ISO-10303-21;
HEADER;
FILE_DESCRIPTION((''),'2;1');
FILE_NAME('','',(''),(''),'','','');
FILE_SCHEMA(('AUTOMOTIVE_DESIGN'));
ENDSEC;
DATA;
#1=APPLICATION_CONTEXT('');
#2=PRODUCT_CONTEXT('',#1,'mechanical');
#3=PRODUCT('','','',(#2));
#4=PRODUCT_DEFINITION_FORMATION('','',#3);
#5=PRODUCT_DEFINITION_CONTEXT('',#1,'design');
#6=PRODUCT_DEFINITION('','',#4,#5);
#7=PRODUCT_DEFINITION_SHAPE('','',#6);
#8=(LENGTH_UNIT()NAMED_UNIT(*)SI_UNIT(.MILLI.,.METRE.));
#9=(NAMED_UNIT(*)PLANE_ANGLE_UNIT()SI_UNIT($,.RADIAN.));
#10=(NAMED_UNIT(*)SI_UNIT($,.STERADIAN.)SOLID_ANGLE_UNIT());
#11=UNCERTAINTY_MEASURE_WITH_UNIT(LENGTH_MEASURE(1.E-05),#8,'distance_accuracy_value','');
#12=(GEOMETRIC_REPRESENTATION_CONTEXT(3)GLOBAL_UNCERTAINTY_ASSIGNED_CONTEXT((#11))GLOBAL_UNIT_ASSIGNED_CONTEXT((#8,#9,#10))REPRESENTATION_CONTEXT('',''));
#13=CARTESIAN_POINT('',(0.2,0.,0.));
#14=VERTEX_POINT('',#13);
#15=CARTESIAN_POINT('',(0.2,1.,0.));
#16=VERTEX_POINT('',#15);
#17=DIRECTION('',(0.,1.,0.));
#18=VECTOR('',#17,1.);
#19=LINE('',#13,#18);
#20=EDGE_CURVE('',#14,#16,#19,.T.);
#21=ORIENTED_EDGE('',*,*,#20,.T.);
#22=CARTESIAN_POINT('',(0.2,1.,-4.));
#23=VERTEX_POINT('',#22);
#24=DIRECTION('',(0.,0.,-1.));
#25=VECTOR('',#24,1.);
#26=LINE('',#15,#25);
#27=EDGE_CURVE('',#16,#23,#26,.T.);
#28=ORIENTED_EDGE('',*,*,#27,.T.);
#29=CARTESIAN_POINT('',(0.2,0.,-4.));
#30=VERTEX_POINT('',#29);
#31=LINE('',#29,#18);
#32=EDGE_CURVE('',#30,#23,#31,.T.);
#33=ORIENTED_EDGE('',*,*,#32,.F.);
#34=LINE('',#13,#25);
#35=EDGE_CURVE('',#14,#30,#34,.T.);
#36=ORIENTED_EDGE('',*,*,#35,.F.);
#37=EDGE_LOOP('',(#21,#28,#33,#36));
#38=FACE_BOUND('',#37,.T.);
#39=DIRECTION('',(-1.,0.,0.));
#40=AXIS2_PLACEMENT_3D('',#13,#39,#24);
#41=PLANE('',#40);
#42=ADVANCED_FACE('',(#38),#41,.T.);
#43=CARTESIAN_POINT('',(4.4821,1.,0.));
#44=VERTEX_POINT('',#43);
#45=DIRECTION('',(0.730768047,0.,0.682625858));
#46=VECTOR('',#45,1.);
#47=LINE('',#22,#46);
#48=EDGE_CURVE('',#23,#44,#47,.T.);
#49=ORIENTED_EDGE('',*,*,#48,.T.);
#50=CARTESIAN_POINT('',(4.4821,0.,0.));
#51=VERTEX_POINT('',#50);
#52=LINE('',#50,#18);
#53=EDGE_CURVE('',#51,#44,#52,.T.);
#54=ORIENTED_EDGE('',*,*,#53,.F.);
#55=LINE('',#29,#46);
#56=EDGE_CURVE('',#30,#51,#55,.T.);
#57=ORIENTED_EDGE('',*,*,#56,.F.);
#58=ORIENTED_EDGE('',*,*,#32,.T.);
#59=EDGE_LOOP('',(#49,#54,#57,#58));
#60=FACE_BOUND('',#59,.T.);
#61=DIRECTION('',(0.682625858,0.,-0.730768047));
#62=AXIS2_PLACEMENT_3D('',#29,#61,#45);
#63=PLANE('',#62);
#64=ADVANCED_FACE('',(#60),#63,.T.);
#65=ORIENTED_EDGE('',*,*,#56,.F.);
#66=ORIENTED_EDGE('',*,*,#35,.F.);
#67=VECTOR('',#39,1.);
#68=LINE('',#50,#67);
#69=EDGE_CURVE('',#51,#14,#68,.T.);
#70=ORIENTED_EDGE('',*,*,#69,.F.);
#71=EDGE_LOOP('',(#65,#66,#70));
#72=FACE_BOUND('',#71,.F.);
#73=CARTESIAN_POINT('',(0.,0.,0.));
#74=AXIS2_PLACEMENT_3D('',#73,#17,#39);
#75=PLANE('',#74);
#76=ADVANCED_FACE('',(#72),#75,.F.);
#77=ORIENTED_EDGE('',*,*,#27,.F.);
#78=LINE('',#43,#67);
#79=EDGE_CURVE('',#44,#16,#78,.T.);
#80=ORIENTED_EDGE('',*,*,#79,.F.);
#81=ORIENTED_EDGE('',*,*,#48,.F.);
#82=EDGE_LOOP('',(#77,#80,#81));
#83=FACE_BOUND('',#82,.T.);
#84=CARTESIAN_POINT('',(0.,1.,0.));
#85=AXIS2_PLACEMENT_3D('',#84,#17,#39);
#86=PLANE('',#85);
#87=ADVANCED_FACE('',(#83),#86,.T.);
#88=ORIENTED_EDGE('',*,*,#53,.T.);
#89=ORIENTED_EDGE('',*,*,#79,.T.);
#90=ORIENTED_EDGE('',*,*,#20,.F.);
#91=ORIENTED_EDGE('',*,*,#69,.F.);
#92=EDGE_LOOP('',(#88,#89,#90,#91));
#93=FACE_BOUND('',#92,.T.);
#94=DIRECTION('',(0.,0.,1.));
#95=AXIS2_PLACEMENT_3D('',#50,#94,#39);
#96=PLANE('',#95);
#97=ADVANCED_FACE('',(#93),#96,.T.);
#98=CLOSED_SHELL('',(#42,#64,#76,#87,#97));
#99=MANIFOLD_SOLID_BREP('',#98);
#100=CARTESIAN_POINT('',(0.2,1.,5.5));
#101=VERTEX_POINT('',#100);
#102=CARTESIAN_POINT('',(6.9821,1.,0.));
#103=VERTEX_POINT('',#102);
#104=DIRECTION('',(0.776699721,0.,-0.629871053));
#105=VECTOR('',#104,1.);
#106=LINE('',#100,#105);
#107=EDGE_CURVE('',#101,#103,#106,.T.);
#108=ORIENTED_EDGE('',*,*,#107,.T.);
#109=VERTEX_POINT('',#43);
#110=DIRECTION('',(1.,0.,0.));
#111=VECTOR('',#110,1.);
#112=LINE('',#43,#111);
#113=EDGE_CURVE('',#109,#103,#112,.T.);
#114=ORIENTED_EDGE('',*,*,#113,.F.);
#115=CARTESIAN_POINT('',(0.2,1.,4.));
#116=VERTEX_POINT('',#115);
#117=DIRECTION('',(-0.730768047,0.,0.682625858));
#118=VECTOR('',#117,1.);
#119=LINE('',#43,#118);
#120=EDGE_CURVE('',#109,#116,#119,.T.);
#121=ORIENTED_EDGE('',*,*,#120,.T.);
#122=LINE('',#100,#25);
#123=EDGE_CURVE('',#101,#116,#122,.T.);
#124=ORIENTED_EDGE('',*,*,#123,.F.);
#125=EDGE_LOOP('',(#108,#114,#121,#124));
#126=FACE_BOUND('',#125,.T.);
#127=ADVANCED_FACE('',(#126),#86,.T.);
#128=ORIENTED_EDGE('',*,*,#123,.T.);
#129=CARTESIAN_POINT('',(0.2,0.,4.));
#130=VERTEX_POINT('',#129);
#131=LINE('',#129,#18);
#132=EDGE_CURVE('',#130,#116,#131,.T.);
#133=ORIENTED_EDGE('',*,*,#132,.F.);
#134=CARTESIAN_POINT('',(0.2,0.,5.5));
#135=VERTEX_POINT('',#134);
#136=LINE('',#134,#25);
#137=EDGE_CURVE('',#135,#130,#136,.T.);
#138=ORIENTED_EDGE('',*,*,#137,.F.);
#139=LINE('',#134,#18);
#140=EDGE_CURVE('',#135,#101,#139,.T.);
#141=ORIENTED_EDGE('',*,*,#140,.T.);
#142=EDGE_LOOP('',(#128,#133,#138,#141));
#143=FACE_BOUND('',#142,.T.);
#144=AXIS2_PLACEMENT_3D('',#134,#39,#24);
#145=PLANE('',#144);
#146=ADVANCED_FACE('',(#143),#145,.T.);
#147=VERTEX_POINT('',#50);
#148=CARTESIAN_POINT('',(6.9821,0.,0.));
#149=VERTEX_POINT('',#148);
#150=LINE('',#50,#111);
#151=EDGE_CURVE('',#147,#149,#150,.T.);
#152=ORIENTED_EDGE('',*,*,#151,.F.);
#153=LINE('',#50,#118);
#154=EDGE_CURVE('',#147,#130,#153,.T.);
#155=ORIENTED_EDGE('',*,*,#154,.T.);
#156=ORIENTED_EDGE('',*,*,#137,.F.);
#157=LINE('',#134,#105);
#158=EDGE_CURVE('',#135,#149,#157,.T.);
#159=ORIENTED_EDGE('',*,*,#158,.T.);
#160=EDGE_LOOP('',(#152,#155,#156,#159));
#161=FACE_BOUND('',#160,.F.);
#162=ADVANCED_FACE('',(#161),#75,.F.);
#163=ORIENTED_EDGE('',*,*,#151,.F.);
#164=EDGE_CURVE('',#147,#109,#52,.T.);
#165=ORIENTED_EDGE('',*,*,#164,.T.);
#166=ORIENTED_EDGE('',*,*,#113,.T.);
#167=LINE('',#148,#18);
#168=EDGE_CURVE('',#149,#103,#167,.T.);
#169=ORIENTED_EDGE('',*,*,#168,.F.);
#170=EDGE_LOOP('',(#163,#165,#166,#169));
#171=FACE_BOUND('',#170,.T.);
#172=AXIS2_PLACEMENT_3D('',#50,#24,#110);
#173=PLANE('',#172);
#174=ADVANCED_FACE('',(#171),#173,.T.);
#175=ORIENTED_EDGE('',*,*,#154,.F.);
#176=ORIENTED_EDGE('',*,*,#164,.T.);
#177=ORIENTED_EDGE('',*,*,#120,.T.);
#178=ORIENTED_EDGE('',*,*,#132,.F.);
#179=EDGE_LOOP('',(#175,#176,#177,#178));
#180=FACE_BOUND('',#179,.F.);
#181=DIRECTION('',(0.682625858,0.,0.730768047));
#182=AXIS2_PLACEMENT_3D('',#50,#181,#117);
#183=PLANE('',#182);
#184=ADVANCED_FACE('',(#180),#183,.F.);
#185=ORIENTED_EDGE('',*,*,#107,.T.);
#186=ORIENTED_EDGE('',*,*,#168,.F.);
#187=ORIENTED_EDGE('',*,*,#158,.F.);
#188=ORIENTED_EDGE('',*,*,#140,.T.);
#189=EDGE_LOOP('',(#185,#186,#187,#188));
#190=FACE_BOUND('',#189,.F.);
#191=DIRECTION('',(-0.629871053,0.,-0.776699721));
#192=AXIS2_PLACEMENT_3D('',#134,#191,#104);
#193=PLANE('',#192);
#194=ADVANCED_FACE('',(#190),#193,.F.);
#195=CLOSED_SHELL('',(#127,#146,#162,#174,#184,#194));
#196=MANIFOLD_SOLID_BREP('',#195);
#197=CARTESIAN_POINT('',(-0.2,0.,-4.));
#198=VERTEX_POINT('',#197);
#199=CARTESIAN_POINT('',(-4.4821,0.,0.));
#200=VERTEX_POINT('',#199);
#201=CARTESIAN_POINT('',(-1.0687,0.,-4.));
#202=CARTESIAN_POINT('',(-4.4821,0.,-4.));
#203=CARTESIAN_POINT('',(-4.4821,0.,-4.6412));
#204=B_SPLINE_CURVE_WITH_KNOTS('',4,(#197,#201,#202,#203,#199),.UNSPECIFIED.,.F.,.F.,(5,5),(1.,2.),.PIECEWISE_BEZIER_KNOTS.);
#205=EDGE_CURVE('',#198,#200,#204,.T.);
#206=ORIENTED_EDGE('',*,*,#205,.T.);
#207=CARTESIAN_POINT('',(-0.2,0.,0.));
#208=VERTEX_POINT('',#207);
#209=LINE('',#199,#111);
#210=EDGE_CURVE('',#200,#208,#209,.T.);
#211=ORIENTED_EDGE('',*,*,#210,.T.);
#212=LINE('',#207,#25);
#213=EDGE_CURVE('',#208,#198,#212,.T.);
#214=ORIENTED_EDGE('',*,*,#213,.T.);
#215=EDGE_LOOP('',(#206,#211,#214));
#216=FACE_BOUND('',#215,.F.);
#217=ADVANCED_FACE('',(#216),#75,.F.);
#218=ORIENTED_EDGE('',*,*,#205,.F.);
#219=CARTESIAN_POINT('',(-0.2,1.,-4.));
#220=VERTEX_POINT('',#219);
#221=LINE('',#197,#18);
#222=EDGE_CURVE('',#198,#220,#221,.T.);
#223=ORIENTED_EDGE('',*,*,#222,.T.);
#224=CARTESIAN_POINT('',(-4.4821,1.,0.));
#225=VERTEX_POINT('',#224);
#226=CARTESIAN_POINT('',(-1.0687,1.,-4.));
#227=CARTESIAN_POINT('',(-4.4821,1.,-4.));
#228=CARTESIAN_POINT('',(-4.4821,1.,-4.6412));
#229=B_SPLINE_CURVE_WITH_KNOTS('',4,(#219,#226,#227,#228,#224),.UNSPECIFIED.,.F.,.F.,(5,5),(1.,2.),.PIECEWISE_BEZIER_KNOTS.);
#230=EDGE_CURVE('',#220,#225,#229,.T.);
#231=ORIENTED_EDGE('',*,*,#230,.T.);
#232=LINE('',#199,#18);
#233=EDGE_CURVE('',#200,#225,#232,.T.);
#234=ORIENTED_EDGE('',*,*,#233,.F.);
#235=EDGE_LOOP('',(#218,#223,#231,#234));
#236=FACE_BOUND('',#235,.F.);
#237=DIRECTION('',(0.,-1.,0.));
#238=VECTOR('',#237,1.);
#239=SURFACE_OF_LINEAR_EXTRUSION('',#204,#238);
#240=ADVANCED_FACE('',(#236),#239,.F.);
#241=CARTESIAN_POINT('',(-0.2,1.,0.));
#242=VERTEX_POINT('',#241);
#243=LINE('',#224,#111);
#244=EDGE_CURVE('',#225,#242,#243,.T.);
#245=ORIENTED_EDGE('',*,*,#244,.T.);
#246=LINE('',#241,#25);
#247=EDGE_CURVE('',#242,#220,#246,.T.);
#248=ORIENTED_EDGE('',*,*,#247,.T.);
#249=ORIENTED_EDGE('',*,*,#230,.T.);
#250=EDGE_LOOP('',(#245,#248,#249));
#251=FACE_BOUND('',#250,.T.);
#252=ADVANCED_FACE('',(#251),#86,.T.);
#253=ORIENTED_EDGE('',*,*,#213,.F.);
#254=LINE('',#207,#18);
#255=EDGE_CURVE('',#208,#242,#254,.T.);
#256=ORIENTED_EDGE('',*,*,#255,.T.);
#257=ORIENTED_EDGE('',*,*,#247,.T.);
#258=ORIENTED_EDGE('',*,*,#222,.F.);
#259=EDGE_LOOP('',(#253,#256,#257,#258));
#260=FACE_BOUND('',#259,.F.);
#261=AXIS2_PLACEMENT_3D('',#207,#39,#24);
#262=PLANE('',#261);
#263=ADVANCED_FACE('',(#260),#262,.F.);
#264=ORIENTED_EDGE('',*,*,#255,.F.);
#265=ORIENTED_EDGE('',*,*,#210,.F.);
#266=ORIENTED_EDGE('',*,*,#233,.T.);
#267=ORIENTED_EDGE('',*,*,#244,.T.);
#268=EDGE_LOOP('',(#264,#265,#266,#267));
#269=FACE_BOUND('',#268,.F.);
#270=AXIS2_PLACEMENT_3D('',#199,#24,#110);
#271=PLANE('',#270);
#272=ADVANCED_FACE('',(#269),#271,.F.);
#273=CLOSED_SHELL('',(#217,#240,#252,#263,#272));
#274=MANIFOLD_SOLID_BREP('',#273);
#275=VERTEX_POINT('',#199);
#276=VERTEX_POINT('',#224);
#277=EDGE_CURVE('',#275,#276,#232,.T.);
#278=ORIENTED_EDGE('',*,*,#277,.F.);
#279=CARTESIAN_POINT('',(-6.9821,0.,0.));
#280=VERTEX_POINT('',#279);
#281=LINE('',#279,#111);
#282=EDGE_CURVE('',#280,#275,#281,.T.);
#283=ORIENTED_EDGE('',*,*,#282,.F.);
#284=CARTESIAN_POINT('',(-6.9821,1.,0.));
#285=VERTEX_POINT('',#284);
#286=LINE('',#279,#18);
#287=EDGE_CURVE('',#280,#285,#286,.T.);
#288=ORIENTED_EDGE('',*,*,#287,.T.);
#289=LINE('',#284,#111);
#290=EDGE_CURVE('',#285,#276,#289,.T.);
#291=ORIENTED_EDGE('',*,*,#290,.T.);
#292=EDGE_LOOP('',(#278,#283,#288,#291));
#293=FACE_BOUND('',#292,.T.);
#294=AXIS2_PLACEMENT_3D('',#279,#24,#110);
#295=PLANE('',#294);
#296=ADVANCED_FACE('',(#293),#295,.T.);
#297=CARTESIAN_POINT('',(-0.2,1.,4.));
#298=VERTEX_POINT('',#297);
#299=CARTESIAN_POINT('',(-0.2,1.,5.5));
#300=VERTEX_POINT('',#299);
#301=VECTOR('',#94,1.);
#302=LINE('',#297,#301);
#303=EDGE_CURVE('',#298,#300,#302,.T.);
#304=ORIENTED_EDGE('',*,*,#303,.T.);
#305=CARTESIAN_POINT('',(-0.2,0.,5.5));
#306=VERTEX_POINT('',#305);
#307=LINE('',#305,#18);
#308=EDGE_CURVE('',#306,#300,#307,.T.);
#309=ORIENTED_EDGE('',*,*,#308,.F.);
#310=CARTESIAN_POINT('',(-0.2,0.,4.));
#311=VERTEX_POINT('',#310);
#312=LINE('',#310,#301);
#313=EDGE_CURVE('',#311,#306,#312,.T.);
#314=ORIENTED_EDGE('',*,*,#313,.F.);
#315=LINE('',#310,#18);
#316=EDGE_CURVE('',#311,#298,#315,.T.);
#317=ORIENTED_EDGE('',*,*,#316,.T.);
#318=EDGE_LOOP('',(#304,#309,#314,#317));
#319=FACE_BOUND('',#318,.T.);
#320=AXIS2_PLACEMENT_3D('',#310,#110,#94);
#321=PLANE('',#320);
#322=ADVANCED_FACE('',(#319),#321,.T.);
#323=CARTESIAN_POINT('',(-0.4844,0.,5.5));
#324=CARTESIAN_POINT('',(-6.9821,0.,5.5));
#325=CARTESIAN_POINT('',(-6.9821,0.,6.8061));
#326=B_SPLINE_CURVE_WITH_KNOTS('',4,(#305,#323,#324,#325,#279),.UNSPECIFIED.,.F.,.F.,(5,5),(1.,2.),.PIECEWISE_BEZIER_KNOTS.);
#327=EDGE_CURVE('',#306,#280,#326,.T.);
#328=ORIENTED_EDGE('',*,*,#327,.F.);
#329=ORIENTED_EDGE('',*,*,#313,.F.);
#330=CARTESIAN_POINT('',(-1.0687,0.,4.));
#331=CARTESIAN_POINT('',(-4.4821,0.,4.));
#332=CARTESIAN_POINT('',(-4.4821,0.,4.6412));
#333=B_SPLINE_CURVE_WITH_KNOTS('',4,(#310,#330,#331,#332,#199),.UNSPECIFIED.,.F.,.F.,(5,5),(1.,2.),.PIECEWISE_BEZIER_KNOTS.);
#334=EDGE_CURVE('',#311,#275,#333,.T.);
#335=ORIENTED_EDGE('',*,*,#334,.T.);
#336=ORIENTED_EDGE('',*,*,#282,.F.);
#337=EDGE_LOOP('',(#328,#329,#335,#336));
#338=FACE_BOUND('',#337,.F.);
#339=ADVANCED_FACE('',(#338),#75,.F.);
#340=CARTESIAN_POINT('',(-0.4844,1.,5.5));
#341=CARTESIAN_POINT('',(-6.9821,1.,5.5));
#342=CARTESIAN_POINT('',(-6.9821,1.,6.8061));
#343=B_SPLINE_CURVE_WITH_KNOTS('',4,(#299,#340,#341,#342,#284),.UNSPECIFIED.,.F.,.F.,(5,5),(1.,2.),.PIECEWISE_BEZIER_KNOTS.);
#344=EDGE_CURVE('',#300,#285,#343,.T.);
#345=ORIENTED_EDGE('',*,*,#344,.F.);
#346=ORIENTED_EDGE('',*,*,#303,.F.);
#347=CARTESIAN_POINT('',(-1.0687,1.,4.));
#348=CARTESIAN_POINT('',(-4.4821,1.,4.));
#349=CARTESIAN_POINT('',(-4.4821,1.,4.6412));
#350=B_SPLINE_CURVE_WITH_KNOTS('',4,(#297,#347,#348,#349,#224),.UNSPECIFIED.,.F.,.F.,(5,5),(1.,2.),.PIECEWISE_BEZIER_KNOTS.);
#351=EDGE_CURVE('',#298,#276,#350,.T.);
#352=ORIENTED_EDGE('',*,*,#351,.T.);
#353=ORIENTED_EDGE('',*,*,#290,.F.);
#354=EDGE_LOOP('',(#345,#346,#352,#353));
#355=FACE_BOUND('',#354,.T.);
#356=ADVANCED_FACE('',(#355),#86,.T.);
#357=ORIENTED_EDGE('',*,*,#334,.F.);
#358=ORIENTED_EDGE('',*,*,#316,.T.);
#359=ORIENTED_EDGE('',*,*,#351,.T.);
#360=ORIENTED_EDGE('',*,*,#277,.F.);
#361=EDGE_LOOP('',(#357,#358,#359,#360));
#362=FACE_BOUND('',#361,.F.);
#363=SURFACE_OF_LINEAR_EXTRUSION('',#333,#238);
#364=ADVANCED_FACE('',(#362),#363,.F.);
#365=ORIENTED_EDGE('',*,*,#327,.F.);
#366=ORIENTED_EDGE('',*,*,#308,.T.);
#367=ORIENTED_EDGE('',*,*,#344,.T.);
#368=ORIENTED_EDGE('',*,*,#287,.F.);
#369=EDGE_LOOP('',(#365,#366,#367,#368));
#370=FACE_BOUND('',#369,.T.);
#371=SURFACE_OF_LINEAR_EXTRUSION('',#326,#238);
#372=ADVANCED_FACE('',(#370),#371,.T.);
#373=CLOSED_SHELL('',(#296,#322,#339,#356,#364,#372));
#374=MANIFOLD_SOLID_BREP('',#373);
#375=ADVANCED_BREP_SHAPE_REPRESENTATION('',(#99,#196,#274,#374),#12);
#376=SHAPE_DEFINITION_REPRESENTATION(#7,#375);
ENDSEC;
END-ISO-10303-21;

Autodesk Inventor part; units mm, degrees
ref_plane "YZ Plane" through (0, 0, 0) normal (1, 0, 0) x (0, 1, 0)
ref_plane "XZ Plane" through (0, 0, 0) normal (0, 1, 0) x (-1, 0, 0)
ref_plane "XY Plane" through (0, 0, 0) normal (0, 0, 1) x (1, 0, 0)
sketch "Sketch1" plane through (0, 0, 0) normal (0, 1, 0) x (-1, 0, 0)
  line L0 (6.9821, 0) -> (4.4821, 0)
  line L1 (0.2, 4) -> (0.2, 5.5)
  line L2 (-4.4821, 0) -> (-6.9821, 0)
  line L3 (-0.2, 5.5) -> (-0.2, 4)
  line L4 (-10.1992, 0) -> (12.3203, 0) construction
  line L5 (0, -41.6633) -> (0, 16.1649) construction
  line L6 (0.2, 5.5) -> (0.4844, 5.5) construction
  line L7 (0.4844, 5.5) -> (6.9821, 5.5) construction
  line L8 (6.9821, 5.5) -> (6.9821, 6.8061) construction
  line L9 (6.9821, 6.8061) -> (6.9821, 0) construction
  spline S0 degree 4 poles (0.2, 5.5) (0.4844, 5.5) (6.9821, 5.5) (6.9821, 6.8061) (6.9821, 0) knots 1 1 1 1 1 2 2 2 2 2
  line L10 (0.2, 4) -> (1.0687, 4) construction
  line L11 (1.0687, 4) -> (4.4821, 4) construction
  line L12 (4.4821, 4) -> (4.4821, 4.6412) construction
  line L13 (4.4821, 4.6412) -> (4.4821, 0) construction
  spline S1 degree 4 poles (0.2, 4) (1.0687, 4) (4.4821, 4) (4.4821, 4.6412) (4.4821, 0) knots 1 1 1 1 1 2 2 2 2 2
  line L14 (0.2, 4) -> (-0.2, 4) construction
  line L15 (-0.2, 5.5) -> (-6.9821, 0)
  line L16 (4.4821, 0) -> (0.2, 0)
  line L17 (-4.4821, 0) -> (-0.2, 0)
  line L18 (-0.2, 0) -> (-0.2, -4)
  line L19 (-0.2, -4) -> (-4.4821, 0)
  line L20 (0.2, -4) -> (1.0687, -4) construction
  line L21 (1.0687, -4) -> (4.4821, -4) construction
  line L22 (4.4821, -4) -> (4.4821, -4.6412) construction
  line L23 (4.4821, -4.6412) -> (4.4821, 0) construction
  spline S2 degree 4 poles (0.2, -4) (1.0687, -4) (4.4821, -4) (4.4821, -4.6412) (4.4821, 0) knots 1 1 1 1 1 2 2 2 2 2
  line L24 (0.2, 0) -> (0.2, -4)
  line L25 (-0.2, -4) -> (0.2, -4) construction
  line L26 (-4.4821, 0) -> (-0.2, 4)
  point P0 (0, 0)
  dimension "d0" = 0.2
  dimension "d1" = 4
  dimension "d3" = 2.5
  dimension "d6" = 1.5
extrude "Extrusion1" add sketch "Sketch1" along normal blind 1
sketch "Sketch2" plane through (0, 0, 0) normal (0, 1, 0) x (-1, 0, 0)
  line L0 (0, -40.0826) -> (0, 6.6804) construction
  line L1 (-5.6893, 0) -> (7.9729, 0) construction
  spline S0 degree 4 poles (5.7309, -9.156) (6.4153, -8.9173) (4.9983, -7.4481) (5.0462, -8.6728) (4.0888, -9.5797) (3.7167, -8.7652) (3.7309, -8.156) knots 0 0 0 0 0 0.475399 0.676528 1 1 1 1 1
  line L2 (3.7203, -8.6135) -> (3.7416, -7.6985) construction
  arc A0 (3.7712, -7.7964) -> (3.7544, -8.5171) centre (5.7845, -8.2039) ccw construction
  point P0 (0, 0)
  point P1 (2.7309, -8.156)
  point P2 (2.7309, -9.156)
  point P3 (3.7309, -9.156)
  point P4 (4.7309, -8.156)
  point P5 (4.7309, -9.156)
  point P6 (5.7309, -8.156)
  point P7 (2.7309, -10.156)
  point P8 (3.7309, -10.156)
  point P9 (4.7309, -10.156)
  point P10 (5.7309, -10.156)
  point P11 (2.7309, -11.156)
  point P12 (3.7309, -11.156)
  point P13 (4.7309, -11.156)
  point P14 (5.7309, -11.156)
  point P15 (2.7309, -12.156)
  point P16 (3.7309, -12.156)
  point P17 (4.7309, -12.156)
  point P18 (5.7309, -12.156)
  point P19 (2.7309, -13.156)
  point P20 (3.7309, -13.156)
  point P21 (4.7309, -13.156)
  point P22 (5.7309, -13.156)
  point P23 (2.7309, -14.156)
  point P24 (3.7309, -14.156)
  point P25 (4.7309, -14.156)
  point P26 (5.7309, -14.156)
  point P27 (2.7309, -15.156)
  point P28 (3.7309, -15.156)
  point P29 (4.7309, -15.156)
  point P30 (5.7309, -15.156)
  point P31 (2.7309, -16.156)
  point P32 (3.7309, -16.156)
  point P33 (4.7309, -16.156)
  point P34 (5.7309, -16.156)
  point P35 (2.7309, -17.156)
  point P36 (3.7309, -17.156)
  point P37 (4.7309, -17.156)
  point P38 (5.7309, -17.156)
  point P39 (2.7309, -18.156)
  point P40 (3.7309, -18.156)
  point P41 (4.7309, -18.156)
  point P42 (5.7309, -18.156)
  point P43 (2.7309, -19.156)
  point P44 (3.7309, -19.156)
  point P45 (4.7309, -19.156)
  point P46 (5.7309, -19.156)
  point P47 (2.7309, -20.156)
  point P48 (3.7309, -20.156)
  point P49 (4.7309, -20.156)
  point P50 (5.7309, -20.156)
  point P51 (2.7309, -21.156)
  point P52 (3.7309, -21.156)
  point P53 (4.7309, -21.156)
  point P54 (5.7309, -21.156)
  point P55 (2.7309, -22.156)
  point P56 (3.7309, -22.156)
  point P57 (4.7309, -22.156)
  point P58 (5.7309, -22.156)
  point P59 (2.7309, -23.156)
  point P60 (3.7309, -23.156)
  point P61 (4.7309, -23.156)
  point P62 (5.7309, -23.156)
  point P63 (2.7309, -24.156)
  point P64 (3.7309, -24.156)
  point P65 (4.7309, -24.156)
  point P66 (5.7309, -24.156)
  point P67 (2.7309, -25.156)
  point P68 (3.7309, -25.156)
  point P69 (4.7309, -25.156)
  point P70 (5.7309, -25.156)
  point P71 (2.7309, -26.156)
  point P72 (3.7309, -26.156)
  point P73 (4.7309, -26.156)
  point P74 (5.7309, -26.156)
  point P75 (2.7309, -27.156)
  point P76 (3.7309, -27.156)
  point P77 (4.7309, -27.156)
  point P78 (5.7309, -27.156)
  point P79 (2.7309, -28.156)
  point P80 (3.7309, -28.156)
  point P81 (4.7309, -28.156)
  point P82 (5.7309, -28.156)
  point P83 (5.7309, -8.4151)
  point P84 (5.1242, -8.156)
  point P85 (4.7309, -8.7206)
  point P86 (4.2129, -9.1858)
  point P87 (5.6724, -8.9882)
  point P88 (3.5533, -8.1518)
  dimension "d9" = 1
  dimension "d12" = 1
sketch "Sketch3" plane through (0, 0, 0) normal (0, 1, 0) x (-1, 0, 0)
  line L0 (1.8486, -7.6205) -> (1.8486, -33.4021) construction
  line L1 (1.8486, -33.4021) -> (-3.7375, -33.4021) construction
  line L2 (-3.7375, -33.4021) -> (-3.7375, -7.6205) construction
  line L3 (-3.7375, -7.6205) -> (1.8486, -7.6205) construction
  point P0 (0, 0)
properties part number "Systemic_Logo"
